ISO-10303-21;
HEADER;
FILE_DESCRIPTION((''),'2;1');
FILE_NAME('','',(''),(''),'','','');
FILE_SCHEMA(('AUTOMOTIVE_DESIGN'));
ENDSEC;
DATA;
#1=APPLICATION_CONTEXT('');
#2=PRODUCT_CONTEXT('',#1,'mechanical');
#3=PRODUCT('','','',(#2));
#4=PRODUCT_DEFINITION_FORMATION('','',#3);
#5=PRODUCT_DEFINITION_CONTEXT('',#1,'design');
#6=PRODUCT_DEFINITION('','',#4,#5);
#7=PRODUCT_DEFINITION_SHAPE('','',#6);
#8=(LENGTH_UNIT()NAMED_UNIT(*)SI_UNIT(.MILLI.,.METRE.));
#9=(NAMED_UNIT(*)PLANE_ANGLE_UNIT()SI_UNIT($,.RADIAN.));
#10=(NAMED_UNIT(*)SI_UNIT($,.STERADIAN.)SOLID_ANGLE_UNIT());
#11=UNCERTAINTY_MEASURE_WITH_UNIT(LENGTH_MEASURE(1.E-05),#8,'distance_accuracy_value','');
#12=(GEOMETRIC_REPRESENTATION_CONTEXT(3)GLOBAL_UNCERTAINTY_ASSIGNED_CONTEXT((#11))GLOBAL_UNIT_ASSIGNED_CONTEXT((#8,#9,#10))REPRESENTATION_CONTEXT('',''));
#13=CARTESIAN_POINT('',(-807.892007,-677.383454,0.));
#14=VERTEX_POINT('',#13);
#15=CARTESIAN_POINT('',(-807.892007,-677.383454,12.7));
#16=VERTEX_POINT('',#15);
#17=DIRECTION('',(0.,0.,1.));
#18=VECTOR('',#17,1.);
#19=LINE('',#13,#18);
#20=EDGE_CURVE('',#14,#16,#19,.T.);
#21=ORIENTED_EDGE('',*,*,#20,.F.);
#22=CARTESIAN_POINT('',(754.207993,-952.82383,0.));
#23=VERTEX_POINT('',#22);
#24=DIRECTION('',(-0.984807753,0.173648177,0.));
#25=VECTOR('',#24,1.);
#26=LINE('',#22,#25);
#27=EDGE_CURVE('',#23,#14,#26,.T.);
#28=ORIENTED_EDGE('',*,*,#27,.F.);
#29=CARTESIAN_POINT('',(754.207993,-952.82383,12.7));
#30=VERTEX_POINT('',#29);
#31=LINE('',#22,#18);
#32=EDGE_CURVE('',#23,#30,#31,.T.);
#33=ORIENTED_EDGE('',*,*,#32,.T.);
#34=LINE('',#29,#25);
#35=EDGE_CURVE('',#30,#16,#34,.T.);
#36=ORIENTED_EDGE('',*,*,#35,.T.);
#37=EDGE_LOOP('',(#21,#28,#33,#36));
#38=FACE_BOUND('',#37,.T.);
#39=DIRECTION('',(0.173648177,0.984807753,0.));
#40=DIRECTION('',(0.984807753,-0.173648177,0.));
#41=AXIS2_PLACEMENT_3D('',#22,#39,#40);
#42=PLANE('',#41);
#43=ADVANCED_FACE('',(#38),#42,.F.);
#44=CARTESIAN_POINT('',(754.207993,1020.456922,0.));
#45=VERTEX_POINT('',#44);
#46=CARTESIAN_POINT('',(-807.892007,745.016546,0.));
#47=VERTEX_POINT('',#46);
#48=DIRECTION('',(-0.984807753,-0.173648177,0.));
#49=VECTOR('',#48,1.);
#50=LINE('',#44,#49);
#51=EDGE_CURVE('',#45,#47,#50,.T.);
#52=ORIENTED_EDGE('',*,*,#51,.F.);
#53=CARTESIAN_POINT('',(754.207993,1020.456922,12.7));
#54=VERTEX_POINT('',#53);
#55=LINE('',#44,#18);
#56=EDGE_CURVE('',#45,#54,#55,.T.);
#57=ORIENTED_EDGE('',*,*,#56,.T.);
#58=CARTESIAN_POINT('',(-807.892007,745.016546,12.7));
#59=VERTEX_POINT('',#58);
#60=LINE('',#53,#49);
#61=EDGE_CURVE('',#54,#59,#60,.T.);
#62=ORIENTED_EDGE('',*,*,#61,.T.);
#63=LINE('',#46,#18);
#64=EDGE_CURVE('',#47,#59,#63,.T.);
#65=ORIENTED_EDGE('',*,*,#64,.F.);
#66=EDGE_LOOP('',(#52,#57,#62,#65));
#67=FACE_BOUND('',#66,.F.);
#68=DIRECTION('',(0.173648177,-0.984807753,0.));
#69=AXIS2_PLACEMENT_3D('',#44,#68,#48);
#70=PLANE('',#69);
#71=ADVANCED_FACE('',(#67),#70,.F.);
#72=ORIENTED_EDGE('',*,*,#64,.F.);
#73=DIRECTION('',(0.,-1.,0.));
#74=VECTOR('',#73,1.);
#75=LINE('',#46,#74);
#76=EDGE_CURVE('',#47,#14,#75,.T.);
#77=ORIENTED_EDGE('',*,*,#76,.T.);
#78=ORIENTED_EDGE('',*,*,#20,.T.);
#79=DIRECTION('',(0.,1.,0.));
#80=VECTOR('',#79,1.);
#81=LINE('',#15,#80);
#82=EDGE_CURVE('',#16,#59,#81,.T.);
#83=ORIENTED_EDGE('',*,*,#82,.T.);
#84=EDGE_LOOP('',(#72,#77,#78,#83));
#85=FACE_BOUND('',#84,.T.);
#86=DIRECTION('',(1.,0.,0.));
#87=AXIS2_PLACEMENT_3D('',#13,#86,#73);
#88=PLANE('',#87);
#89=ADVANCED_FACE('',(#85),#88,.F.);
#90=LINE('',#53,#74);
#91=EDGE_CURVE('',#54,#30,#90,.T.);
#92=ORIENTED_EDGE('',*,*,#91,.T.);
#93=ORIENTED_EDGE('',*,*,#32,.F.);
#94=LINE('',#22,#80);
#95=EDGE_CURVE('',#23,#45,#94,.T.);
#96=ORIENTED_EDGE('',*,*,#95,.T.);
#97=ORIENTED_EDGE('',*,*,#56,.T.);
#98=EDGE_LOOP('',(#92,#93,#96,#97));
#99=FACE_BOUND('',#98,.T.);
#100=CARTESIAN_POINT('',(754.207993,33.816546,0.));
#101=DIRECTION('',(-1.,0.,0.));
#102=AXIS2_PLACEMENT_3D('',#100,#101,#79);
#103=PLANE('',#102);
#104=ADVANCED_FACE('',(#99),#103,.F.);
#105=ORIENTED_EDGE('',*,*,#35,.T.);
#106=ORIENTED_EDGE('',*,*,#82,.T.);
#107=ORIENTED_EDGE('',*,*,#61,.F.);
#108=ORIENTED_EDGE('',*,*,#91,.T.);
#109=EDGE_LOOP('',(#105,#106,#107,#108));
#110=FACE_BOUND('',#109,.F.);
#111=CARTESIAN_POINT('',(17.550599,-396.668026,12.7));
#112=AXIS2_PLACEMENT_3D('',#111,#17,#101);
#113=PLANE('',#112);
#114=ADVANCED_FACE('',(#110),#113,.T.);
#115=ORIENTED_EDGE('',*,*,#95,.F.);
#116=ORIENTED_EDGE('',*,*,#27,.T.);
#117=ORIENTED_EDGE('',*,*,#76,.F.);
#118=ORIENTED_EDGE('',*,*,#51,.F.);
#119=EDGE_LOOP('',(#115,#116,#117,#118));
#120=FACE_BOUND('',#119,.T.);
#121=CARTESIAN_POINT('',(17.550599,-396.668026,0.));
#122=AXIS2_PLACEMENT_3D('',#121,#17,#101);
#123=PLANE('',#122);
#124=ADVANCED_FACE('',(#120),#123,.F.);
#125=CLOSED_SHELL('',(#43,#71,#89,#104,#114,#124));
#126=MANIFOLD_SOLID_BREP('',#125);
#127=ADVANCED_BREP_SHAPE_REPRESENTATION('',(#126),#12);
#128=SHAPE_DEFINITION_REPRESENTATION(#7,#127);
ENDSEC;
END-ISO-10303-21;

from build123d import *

# Parameters (mm, degrees)
F1_DEPTH = 12.7


with BuildPart() as f1:
    # F0 (on Top) → F1 (new body)
    with BuildSketch(Plane.XY):
        Polygon((754.207993, 1020.456922), (-807.892007, 745.016546), (-807.892007, 33.816546), (754.207993, 33.816546), align=None)
    extrude(amount=F1_DEPTH)

    # F2: F1 across face


with BuildPart() as f1_1:
    add(f1.part)
    add(f1.part.mirror(Plane(origin=(-26.842007, 33.816546, 6.35), x_dir=(1, 0, 0), z_dir=(0, -1, 0))))


solid = f1_1.part
